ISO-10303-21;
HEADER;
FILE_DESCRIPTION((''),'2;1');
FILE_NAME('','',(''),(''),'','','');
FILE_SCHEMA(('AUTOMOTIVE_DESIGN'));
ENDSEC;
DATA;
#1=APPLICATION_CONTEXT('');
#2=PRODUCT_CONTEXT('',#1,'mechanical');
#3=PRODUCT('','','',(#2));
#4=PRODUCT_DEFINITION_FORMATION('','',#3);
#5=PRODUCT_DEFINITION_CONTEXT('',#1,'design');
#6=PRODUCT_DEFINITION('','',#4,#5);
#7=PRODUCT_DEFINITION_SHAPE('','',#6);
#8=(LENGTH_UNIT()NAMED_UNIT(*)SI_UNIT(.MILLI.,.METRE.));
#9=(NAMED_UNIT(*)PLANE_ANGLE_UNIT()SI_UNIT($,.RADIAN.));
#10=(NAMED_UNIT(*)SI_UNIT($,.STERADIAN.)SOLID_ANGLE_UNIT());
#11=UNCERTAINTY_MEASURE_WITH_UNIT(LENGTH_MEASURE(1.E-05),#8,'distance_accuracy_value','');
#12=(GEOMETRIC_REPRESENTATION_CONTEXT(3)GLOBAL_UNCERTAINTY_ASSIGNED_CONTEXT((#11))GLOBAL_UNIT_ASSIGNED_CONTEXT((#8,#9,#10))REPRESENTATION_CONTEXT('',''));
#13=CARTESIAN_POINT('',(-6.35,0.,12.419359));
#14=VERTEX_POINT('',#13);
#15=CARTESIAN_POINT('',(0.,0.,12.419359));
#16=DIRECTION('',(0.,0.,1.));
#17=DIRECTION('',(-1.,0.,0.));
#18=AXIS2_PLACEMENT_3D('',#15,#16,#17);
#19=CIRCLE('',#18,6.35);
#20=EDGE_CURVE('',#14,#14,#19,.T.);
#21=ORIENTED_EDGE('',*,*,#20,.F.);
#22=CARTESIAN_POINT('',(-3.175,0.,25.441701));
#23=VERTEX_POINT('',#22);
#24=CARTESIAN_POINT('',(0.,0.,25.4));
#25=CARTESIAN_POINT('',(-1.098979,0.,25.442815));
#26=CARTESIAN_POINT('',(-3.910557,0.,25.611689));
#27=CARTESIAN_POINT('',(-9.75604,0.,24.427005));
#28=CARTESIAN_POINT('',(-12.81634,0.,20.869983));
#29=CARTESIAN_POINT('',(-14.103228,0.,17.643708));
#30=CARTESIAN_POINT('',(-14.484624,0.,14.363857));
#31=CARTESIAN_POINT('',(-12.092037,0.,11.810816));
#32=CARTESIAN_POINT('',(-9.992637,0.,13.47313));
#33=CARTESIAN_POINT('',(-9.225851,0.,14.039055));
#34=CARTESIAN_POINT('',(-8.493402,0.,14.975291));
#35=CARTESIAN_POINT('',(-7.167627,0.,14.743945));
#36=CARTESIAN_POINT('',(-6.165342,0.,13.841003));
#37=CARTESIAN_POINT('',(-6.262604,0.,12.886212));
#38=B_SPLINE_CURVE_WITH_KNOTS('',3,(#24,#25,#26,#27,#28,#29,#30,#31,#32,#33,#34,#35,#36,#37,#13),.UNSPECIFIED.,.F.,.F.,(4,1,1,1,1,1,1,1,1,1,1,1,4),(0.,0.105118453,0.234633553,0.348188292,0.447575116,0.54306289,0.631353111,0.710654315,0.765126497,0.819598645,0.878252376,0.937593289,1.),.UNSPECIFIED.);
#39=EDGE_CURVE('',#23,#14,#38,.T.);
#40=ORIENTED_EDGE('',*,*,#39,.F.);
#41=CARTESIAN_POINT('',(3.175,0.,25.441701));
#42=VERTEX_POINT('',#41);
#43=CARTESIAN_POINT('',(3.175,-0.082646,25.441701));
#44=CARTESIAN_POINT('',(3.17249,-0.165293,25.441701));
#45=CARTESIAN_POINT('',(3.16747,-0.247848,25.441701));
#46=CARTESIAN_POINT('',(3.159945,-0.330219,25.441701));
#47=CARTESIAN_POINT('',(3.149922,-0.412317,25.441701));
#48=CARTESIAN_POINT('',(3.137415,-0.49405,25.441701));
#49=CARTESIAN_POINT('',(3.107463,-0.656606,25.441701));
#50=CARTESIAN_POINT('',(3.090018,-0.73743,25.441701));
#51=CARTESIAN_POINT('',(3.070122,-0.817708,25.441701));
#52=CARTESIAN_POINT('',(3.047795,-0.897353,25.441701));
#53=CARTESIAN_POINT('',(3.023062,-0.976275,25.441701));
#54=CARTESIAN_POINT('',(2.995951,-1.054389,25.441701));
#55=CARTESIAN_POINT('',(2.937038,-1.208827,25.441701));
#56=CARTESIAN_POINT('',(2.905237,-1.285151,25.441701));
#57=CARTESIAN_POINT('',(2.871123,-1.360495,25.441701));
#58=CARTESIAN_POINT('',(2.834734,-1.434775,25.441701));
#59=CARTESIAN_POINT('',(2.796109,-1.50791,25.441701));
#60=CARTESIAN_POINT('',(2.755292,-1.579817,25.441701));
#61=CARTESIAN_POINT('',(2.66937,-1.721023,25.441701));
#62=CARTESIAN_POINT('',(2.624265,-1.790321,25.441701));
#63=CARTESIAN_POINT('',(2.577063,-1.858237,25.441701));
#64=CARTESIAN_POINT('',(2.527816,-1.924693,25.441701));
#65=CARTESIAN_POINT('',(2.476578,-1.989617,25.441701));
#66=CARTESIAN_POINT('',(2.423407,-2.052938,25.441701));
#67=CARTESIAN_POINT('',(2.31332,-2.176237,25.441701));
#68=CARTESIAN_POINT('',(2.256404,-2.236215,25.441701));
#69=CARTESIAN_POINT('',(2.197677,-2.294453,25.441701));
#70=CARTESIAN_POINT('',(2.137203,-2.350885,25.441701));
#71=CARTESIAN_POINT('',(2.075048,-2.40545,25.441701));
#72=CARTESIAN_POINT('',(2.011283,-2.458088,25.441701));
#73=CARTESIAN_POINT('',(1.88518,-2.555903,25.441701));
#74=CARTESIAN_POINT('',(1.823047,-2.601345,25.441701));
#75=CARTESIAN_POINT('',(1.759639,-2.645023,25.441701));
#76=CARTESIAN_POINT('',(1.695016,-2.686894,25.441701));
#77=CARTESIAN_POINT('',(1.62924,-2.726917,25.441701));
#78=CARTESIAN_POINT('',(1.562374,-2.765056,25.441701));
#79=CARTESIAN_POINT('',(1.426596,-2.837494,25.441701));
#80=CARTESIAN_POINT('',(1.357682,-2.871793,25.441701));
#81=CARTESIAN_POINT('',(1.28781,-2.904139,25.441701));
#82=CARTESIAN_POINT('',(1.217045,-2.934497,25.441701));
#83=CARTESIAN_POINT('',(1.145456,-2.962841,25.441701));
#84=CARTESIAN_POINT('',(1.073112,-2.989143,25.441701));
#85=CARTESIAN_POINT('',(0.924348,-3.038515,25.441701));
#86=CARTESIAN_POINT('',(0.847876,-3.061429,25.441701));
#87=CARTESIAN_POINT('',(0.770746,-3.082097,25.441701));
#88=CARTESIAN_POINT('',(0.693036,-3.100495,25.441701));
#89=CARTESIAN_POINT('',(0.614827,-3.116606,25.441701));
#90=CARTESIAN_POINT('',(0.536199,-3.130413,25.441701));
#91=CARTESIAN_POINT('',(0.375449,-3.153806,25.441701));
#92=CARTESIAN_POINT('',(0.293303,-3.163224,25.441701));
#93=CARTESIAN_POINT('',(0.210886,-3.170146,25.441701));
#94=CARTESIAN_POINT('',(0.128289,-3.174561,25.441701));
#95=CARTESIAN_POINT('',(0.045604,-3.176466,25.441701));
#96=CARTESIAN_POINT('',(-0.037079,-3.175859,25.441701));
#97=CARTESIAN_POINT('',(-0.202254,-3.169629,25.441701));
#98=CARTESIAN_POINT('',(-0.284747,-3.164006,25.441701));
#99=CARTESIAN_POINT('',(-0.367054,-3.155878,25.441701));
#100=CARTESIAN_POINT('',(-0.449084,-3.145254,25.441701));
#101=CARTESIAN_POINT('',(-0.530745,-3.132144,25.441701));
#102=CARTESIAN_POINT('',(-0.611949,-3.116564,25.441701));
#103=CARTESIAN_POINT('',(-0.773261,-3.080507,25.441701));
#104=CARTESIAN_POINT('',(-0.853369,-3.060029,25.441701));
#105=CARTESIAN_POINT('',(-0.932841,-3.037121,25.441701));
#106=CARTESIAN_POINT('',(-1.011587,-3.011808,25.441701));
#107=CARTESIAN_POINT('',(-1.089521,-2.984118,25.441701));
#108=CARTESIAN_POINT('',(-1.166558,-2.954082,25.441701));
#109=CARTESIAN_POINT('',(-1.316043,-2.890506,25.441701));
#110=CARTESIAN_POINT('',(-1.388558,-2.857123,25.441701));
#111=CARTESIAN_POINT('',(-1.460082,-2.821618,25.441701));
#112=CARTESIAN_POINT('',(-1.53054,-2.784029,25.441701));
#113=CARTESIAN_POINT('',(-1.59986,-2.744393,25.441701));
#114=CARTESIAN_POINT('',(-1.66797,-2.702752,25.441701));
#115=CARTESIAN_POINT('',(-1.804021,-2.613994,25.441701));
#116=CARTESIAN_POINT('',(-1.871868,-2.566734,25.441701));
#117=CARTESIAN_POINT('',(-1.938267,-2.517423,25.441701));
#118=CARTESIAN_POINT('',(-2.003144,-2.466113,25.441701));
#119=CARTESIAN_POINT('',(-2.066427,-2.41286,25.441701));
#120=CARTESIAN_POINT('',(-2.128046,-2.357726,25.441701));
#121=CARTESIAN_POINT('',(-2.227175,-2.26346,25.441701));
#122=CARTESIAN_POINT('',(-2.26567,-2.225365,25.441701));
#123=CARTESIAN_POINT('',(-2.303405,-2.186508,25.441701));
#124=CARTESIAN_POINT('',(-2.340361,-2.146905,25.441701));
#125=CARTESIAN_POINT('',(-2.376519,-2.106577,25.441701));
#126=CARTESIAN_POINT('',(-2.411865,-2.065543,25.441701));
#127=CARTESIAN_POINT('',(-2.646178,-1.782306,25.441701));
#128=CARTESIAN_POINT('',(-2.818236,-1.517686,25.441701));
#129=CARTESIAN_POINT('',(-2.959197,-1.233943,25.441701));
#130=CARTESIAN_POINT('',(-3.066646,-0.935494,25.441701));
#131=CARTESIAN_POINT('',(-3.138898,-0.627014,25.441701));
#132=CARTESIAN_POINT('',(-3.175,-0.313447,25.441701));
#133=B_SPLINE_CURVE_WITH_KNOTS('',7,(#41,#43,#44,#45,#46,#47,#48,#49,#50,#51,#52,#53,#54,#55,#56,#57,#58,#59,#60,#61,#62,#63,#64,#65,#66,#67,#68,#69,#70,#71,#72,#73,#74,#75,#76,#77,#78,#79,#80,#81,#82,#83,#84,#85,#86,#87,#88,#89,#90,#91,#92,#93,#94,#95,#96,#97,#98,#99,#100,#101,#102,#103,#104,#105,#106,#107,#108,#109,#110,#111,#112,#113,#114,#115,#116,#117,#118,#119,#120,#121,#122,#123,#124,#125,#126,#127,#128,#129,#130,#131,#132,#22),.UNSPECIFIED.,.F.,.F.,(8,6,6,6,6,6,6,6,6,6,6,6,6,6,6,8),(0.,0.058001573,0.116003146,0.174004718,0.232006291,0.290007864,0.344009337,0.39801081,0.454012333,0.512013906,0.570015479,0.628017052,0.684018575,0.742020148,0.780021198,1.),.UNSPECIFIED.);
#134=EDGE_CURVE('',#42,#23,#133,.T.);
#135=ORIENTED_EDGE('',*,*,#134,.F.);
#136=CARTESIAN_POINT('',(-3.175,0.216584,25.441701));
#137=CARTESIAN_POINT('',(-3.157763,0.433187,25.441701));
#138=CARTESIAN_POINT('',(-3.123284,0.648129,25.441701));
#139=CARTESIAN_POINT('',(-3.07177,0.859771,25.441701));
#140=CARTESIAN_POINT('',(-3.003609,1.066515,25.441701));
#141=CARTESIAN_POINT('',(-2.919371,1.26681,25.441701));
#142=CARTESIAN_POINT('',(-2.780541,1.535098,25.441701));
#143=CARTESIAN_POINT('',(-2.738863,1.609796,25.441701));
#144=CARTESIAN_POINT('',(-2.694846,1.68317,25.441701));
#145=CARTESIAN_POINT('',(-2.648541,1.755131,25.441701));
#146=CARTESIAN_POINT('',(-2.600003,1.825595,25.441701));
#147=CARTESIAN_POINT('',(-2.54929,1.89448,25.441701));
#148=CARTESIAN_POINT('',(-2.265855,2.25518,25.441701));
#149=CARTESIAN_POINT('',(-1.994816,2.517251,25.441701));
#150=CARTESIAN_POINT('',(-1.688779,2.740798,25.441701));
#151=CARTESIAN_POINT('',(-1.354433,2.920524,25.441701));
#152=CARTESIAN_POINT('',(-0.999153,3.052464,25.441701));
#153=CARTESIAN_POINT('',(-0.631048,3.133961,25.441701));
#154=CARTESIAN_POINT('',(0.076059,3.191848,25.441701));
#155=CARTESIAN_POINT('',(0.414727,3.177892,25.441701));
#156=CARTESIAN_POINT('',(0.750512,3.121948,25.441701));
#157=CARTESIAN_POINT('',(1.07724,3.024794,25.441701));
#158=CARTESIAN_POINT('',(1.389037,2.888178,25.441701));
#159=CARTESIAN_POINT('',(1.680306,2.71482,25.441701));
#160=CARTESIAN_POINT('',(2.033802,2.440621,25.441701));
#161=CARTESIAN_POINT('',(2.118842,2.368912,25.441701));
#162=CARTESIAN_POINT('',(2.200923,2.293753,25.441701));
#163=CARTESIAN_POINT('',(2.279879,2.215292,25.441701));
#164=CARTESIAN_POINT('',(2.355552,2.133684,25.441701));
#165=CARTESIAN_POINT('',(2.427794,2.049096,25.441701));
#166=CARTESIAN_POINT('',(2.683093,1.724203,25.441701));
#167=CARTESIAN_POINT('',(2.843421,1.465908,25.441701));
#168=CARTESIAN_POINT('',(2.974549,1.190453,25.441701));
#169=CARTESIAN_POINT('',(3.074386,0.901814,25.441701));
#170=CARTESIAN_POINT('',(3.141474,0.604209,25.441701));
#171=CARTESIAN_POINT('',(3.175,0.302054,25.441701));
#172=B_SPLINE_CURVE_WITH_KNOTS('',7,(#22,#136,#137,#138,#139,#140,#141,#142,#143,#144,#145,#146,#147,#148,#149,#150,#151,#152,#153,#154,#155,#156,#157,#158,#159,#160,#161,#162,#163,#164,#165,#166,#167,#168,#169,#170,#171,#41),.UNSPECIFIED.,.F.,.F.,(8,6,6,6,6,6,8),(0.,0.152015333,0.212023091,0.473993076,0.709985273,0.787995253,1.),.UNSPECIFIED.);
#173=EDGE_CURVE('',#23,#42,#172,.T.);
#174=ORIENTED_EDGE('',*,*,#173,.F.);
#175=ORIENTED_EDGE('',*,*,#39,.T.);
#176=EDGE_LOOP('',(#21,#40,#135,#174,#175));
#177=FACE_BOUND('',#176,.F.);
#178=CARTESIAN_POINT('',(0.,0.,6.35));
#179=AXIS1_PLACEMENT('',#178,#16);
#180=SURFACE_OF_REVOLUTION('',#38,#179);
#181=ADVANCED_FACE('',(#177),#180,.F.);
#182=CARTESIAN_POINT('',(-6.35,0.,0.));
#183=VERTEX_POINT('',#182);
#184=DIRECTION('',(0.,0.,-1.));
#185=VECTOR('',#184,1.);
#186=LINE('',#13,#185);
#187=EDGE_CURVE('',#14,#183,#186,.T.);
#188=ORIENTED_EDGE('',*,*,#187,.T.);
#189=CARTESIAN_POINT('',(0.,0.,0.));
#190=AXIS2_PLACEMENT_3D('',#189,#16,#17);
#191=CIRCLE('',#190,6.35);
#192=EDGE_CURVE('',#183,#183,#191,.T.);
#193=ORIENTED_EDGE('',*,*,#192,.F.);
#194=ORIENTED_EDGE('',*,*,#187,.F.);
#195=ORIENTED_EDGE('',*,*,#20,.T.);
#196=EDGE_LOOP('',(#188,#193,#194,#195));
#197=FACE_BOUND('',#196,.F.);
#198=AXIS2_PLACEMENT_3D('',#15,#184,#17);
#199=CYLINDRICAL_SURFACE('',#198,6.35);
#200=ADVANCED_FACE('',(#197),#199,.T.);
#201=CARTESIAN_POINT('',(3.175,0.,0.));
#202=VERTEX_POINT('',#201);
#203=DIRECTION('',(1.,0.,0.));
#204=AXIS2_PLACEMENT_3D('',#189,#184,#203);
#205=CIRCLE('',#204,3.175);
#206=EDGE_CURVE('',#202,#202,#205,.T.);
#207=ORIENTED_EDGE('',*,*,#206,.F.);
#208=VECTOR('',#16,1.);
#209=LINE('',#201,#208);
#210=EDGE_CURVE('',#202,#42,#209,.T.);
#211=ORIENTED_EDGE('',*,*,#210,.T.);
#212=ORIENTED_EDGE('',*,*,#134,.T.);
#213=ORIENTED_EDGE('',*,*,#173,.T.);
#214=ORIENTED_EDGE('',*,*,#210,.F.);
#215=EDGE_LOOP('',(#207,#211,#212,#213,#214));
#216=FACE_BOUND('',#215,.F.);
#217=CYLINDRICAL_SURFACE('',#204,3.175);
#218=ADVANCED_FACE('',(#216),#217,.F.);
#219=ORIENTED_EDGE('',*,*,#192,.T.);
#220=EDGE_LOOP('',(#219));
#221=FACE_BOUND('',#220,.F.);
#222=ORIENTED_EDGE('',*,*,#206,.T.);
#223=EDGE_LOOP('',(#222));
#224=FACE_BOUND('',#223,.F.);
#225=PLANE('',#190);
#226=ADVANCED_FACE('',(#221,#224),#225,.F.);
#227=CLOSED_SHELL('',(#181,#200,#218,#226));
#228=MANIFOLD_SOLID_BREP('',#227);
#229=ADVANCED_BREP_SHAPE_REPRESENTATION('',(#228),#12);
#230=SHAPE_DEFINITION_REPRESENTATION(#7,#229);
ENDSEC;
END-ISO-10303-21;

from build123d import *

# Parameters (mm, degrees)
F2_R     = 3.175
F3_DEPTH = 50.8


with BuildPart() as f1:
    # F0 (on Front) → F1 (revolve)
    with BuildSketch(Plane.XZ):
        with BuildLine():
            Line((-6.35, 0), (0, 0))
            Line((0, 0), (0, 12.7))
            Line((0, 12.7), (0, 25.4))
            add(Edge.make_bspline(
                [(0, 25.4), (-1.0989789411, 25.4428147285), (-3.9105574495, 25.6116892308), (-9.7560403158, 24.4270050282), (-12.816339642, 20.8699828794), (-14.1032276511, 17.6437081381), (-14.4846240929, 14.363857314), (-12.0920369456, 11.8108160113), (-9.9926371891, 13.4731296644), (-9.225850874, 14.0390548486), (-8.4934024286, 14.9752908541), (-7.167626794, 14.7439446623), (-6.1653416995, 13.8410033257), (-6.2626039232, 12.8862119677), (-6.35, 12.4193585917)],
                knots=[0, 0, 0, 0, 0.1051184531, 0.2346335526, 0.3481882925, 0.4475751159, 0.5430628896, 0.6313531108, 0.7106543145, 0.7651264968, 0.8195986446, 0.8782523762, 0.9375932886, 1, 1, 1, 1], degree=3))
            Line((-6.35, 12.4193585917), (-6.35, 0))
        make_face()
    revolve(axis=Axis((0, 0, 6.35), (0, 0, 1)))

    # F2 (on face) → F3 (cut)
    with BuildSketch(Plane(origin=(0, 0, 0), x_dir=(1, 0, 0), z_dir=(0, 0, -1))):
        Circle(F2_R)
    extrude(amount=-F3_DEPTH, mode=Mode.SUBTRACT)


solid = f1.part
